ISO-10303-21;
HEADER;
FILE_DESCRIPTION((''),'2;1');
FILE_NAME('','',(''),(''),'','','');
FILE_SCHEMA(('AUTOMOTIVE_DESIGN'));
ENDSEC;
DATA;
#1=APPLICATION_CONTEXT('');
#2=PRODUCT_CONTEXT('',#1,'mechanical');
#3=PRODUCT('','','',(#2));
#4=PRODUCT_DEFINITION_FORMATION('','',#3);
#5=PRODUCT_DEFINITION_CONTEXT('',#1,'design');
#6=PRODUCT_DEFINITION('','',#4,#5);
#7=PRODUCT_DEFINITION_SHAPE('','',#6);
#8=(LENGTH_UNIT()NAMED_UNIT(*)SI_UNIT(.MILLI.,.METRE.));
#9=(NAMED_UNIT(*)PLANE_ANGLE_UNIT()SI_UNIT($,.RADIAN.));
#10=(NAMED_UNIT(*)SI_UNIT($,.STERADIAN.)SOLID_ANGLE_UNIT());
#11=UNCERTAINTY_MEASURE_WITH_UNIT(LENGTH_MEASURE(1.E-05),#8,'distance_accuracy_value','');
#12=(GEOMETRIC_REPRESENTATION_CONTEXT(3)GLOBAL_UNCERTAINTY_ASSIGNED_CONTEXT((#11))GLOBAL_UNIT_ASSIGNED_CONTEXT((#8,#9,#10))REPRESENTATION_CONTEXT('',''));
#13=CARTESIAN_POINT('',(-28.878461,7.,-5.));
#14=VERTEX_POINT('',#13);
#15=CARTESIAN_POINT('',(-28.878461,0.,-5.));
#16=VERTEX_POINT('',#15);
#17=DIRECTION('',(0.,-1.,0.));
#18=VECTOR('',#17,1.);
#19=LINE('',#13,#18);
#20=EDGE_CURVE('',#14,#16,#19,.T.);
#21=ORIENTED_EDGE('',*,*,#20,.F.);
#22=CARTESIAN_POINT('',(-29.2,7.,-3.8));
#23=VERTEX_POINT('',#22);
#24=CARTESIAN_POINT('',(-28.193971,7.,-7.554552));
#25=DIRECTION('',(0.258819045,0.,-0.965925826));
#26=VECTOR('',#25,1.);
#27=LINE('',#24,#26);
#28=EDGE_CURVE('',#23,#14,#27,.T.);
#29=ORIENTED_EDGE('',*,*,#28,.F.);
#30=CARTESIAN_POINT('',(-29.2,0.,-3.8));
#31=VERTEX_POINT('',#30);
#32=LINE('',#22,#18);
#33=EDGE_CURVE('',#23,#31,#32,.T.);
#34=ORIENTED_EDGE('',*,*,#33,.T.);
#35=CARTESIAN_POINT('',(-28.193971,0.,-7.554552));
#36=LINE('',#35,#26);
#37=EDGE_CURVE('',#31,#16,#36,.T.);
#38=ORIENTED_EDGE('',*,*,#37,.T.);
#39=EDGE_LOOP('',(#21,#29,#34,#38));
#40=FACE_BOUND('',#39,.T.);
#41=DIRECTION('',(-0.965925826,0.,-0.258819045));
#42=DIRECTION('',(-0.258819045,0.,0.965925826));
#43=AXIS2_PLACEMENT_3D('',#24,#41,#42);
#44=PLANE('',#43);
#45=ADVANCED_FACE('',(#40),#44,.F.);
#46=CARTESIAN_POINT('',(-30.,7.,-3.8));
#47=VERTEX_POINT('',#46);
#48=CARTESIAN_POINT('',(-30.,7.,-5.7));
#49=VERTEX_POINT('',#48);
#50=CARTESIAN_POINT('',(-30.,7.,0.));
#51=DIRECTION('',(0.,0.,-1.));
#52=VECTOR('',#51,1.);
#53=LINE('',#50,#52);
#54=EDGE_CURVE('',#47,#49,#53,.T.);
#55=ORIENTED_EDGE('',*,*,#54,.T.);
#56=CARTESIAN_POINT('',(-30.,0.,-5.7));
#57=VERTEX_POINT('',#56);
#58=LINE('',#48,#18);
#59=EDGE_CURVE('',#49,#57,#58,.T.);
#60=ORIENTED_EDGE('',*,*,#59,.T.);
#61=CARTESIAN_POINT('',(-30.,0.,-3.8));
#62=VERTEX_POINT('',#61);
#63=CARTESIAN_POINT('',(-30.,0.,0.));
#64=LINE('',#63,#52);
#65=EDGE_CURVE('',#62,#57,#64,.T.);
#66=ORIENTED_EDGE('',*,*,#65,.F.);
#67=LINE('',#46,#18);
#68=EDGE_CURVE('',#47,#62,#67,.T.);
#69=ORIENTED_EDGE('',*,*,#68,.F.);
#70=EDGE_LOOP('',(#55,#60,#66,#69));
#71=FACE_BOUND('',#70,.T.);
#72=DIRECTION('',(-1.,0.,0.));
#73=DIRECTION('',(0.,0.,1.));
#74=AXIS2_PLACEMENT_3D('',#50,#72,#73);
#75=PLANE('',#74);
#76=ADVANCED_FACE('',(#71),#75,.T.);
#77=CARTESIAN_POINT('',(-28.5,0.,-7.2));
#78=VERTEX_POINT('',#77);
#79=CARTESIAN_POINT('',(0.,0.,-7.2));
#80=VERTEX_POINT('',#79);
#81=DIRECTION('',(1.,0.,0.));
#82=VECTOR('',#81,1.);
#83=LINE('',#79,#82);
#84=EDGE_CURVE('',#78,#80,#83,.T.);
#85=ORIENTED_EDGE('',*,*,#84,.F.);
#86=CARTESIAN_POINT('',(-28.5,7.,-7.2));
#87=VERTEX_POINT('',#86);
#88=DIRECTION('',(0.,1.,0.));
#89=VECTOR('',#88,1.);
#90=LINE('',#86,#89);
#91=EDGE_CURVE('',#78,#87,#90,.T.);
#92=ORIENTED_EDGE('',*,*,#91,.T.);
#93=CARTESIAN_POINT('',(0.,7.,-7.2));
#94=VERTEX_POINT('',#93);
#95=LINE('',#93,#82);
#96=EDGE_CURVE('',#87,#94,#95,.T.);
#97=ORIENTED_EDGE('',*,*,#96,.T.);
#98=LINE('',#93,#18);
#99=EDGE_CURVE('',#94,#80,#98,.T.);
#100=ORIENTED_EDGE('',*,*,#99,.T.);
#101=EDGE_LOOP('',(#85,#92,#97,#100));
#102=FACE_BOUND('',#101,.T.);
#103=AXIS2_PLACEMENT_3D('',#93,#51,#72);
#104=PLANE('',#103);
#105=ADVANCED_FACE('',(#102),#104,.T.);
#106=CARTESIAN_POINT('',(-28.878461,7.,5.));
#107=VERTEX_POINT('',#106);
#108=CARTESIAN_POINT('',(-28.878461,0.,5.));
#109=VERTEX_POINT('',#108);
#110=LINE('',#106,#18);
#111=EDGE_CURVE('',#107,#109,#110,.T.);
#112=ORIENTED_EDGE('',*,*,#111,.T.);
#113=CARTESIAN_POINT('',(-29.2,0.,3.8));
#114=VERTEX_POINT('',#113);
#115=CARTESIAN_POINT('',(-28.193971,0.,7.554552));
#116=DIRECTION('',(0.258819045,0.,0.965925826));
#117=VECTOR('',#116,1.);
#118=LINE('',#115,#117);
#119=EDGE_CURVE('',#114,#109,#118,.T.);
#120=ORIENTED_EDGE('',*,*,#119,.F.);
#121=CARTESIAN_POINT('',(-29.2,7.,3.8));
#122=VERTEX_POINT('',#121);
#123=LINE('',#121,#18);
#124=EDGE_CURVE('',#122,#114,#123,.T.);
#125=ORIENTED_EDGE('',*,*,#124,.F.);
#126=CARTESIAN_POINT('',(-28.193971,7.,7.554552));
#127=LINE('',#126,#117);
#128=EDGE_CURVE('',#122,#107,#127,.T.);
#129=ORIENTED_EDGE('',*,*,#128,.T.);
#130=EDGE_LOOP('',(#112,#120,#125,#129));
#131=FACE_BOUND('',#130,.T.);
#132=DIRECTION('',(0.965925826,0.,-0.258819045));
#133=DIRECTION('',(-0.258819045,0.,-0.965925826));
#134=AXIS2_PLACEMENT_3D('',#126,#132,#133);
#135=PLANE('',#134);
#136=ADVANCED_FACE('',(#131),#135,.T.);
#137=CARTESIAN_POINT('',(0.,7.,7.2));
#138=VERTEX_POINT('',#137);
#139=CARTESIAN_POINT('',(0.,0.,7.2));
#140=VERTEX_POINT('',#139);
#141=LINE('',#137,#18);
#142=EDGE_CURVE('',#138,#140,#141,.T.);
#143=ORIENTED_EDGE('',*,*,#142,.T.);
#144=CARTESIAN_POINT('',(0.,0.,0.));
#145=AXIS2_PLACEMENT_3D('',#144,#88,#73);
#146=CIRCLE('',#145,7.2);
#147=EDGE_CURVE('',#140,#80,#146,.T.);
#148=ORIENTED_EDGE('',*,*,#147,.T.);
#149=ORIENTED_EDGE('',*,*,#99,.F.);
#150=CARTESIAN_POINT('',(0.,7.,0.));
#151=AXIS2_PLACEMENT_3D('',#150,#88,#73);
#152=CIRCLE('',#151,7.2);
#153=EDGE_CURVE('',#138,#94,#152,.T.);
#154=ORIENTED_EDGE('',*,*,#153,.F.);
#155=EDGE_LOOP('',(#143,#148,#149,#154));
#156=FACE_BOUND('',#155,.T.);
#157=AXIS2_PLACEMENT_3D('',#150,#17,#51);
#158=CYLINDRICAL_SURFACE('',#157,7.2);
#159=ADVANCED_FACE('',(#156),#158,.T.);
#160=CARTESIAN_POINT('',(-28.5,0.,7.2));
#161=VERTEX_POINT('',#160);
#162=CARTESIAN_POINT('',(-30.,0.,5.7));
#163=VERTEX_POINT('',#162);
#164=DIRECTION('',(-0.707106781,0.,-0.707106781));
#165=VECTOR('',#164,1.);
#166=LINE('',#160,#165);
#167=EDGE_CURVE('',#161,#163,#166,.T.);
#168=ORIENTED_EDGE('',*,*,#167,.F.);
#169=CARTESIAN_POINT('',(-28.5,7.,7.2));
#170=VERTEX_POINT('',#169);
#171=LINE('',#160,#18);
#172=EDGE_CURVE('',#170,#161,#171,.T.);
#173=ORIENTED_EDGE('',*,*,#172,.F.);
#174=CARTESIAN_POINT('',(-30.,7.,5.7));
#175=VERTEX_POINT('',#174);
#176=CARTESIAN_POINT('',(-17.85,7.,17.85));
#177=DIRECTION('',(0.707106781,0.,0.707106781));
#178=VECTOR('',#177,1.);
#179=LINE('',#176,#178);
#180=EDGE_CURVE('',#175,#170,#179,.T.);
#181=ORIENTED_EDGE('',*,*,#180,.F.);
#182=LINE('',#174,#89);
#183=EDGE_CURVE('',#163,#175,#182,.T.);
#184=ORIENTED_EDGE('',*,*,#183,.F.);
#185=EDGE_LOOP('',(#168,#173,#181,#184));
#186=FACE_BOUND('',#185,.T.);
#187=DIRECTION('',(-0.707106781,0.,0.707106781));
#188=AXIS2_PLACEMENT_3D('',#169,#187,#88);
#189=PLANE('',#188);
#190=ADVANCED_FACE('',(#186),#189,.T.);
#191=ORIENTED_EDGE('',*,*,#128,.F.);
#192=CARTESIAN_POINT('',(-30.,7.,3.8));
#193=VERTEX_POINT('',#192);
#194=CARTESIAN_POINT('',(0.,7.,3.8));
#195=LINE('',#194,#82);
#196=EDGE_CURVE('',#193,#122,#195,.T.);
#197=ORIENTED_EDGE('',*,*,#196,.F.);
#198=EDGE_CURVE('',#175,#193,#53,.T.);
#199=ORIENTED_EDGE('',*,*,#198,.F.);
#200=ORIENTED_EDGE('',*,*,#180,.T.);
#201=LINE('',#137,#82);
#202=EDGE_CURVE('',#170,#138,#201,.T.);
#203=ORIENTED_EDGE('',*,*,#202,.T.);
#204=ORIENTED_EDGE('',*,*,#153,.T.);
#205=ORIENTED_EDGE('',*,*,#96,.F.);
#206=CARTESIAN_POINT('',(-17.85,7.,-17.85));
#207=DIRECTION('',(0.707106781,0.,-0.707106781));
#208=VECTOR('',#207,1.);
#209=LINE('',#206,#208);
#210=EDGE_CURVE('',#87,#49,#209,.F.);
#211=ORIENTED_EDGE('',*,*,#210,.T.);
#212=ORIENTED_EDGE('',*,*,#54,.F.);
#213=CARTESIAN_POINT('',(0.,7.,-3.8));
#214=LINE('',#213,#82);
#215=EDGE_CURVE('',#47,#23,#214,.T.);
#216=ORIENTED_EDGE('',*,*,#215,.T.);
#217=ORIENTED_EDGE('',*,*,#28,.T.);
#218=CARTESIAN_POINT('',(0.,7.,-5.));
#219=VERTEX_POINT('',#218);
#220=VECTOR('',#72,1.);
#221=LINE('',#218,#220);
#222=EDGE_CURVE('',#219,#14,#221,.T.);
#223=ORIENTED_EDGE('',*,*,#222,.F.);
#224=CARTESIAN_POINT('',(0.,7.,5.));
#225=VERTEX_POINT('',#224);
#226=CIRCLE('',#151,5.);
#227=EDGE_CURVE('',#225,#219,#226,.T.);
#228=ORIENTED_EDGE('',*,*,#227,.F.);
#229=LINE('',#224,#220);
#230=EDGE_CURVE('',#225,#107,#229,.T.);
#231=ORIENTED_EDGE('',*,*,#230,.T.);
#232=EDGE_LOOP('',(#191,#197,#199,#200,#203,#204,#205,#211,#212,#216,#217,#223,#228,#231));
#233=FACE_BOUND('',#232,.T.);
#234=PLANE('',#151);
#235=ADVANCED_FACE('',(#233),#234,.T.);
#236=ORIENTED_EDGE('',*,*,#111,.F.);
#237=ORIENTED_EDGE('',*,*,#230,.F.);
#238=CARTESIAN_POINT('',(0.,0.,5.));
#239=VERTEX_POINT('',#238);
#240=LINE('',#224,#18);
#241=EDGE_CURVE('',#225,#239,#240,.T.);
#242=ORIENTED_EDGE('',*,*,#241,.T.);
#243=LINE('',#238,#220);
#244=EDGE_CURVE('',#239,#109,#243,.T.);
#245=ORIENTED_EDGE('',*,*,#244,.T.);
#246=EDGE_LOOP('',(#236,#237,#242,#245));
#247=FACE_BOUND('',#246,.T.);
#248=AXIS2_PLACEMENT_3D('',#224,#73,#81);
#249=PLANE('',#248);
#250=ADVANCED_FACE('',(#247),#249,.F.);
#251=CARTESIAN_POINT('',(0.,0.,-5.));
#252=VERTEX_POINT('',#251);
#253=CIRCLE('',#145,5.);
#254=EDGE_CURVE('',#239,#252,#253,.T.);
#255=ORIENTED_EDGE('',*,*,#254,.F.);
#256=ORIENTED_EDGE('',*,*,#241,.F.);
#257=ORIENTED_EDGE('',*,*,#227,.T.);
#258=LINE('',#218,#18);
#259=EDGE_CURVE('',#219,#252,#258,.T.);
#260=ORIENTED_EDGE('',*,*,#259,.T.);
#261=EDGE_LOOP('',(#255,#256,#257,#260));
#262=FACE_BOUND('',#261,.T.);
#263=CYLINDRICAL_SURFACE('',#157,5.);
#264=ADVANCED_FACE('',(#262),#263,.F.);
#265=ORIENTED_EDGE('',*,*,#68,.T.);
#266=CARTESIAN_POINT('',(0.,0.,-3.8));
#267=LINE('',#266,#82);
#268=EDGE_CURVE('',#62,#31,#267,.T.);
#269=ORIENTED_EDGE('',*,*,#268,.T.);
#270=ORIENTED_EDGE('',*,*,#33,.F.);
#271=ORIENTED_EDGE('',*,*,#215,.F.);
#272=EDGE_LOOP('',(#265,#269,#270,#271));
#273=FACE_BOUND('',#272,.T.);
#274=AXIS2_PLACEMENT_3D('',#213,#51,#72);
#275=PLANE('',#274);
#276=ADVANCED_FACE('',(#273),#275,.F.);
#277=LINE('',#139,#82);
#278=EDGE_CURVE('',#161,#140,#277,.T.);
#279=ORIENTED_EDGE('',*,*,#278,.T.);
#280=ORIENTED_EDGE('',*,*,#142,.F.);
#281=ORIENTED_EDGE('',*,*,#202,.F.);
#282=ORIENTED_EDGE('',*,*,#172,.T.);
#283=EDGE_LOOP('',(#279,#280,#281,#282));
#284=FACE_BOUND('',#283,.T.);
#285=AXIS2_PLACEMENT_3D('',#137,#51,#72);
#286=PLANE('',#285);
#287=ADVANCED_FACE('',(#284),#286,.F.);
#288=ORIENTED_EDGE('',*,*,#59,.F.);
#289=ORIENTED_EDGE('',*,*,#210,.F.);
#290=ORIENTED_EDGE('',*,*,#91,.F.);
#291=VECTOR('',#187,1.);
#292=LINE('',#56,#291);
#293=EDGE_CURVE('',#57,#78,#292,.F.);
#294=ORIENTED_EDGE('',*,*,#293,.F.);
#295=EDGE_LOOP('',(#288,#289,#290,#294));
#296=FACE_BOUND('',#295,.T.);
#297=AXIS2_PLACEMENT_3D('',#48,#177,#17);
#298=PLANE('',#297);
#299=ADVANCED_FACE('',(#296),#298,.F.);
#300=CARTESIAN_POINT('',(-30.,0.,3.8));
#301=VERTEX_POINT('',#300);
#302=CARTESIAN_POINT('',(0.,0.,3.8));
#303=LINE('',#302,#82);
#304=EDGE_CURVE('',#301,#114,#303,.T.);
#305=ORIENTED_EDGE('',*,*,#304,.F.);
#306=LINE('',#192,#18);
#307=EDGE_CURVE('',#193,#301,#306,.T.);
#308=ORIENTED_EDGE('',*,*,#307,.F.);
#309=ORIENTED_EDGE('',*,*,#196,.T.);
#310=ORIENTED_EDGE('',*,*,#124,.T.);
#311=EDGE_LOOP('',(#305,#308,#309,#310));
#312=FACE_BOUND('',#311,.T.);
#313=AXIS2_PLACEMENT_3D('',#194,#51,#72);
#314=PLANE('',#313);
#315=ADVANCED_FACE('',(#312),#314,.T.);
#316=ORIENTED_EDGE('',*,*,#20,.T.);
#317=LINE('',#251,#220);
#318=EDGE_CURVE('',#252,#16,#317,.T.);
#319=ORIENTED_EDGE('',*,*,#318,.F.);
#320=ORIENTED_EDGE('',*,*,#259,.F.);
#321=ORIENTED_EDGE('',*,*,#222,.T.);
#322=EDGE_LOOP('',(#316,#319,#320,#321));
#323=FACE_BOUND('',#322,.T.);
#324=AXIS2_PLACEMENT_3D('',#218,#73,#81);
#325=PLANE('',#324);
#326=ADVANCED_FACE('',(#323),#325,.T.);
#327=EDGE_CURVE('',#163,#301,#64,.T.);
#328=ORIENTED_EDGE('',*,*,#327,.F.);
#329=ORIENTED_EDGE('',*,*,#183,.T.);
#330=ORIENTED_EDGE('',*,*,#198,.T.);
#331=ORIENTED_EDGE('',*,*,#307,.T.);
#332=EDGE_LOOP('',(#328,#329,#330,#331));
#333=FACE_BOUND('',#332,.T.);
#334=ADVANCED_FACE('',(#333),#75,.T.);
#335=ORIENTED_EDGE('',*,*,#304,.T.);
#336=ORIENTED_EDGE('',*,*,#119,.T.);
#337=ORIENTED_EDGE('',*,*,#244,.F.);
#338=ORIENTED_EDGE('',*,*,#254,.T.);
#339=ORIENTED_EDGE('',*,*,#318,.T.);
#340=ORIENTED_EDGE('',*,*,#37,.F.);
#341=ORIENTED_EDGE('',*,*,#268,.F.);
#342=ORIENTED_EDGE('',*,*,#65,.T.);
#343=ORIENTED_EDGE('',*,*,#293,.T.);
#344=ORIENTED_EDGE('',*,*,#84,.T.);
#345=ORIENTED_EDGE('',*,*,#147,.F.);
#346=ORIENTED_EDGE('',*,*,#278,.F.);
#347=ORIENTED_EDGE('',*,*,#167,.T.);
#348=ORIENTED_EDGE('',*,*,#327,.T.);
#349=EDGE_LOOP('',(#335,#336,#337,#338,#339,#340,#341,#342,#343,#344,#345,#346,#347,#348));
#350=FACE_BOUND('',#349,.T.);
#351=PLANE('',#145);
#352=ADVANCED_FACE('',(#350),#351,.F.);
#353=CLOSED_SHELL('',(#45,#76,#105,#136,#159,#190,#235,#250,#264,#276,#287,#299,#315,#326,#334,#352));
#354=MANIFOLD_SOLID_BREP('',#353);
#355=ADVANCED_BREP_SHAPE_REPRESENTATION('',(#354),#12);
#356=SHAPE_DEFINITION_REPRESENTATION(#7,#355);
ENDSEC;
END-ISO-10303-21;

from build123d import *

# Parameters (mm, degrees)
BOSS_EXTRUDE1_DEPTH = 7
CHAMFER1_SIZE       = 1.5


with BuildPart() as part:
    # Sketch1 → Boss-Extrude1 (new body)
    with BuildSketch(Plane(origin=(0, 0, 0), x_dir=(1, 0, 0), z_dir=(0, 1, 0))):
        with BuildLine():
            Line((-29.2, 3.8), (-28.878460969, 5))
            Line((-28.878460969, 5), (0, 5))
            ThreePointArc((0, 5), (5, 0), (0, -5))
            Line((0, -5), (-28.878460969, -5))
            Line((-28.878460969, -5), (-29.2, -3.8))
            Line((-29.2, -3.8), (-30, -3.8))
            Line((-30, -3.8), (-30, -7.2))
            Line((-30, -7.2), (0, -7.2))
            ThreePointArc((0, -7.2), (7.2, 0), (0, 7.2))
            Line((0, 7.2), (-30, 7.2))
            Line((-30, 7.2), (-30, 3.8))
            Line((-30, 3.8), (-29.2, 3.8))
        make_face()
    extrude(amount=BOSS_EXTRUDE1_DEPTH)

    # Chamfer1
    chamfer1_edges = [part.edges().sort_by_distance(p)[0] for p in [
        (-30, 3.5, -7.2),
        (-30, 3.5, 7.2),
    ]]
    chamfer(chamfer1_edges, length=CHAMFER1_SIZE)


solid = part.part
